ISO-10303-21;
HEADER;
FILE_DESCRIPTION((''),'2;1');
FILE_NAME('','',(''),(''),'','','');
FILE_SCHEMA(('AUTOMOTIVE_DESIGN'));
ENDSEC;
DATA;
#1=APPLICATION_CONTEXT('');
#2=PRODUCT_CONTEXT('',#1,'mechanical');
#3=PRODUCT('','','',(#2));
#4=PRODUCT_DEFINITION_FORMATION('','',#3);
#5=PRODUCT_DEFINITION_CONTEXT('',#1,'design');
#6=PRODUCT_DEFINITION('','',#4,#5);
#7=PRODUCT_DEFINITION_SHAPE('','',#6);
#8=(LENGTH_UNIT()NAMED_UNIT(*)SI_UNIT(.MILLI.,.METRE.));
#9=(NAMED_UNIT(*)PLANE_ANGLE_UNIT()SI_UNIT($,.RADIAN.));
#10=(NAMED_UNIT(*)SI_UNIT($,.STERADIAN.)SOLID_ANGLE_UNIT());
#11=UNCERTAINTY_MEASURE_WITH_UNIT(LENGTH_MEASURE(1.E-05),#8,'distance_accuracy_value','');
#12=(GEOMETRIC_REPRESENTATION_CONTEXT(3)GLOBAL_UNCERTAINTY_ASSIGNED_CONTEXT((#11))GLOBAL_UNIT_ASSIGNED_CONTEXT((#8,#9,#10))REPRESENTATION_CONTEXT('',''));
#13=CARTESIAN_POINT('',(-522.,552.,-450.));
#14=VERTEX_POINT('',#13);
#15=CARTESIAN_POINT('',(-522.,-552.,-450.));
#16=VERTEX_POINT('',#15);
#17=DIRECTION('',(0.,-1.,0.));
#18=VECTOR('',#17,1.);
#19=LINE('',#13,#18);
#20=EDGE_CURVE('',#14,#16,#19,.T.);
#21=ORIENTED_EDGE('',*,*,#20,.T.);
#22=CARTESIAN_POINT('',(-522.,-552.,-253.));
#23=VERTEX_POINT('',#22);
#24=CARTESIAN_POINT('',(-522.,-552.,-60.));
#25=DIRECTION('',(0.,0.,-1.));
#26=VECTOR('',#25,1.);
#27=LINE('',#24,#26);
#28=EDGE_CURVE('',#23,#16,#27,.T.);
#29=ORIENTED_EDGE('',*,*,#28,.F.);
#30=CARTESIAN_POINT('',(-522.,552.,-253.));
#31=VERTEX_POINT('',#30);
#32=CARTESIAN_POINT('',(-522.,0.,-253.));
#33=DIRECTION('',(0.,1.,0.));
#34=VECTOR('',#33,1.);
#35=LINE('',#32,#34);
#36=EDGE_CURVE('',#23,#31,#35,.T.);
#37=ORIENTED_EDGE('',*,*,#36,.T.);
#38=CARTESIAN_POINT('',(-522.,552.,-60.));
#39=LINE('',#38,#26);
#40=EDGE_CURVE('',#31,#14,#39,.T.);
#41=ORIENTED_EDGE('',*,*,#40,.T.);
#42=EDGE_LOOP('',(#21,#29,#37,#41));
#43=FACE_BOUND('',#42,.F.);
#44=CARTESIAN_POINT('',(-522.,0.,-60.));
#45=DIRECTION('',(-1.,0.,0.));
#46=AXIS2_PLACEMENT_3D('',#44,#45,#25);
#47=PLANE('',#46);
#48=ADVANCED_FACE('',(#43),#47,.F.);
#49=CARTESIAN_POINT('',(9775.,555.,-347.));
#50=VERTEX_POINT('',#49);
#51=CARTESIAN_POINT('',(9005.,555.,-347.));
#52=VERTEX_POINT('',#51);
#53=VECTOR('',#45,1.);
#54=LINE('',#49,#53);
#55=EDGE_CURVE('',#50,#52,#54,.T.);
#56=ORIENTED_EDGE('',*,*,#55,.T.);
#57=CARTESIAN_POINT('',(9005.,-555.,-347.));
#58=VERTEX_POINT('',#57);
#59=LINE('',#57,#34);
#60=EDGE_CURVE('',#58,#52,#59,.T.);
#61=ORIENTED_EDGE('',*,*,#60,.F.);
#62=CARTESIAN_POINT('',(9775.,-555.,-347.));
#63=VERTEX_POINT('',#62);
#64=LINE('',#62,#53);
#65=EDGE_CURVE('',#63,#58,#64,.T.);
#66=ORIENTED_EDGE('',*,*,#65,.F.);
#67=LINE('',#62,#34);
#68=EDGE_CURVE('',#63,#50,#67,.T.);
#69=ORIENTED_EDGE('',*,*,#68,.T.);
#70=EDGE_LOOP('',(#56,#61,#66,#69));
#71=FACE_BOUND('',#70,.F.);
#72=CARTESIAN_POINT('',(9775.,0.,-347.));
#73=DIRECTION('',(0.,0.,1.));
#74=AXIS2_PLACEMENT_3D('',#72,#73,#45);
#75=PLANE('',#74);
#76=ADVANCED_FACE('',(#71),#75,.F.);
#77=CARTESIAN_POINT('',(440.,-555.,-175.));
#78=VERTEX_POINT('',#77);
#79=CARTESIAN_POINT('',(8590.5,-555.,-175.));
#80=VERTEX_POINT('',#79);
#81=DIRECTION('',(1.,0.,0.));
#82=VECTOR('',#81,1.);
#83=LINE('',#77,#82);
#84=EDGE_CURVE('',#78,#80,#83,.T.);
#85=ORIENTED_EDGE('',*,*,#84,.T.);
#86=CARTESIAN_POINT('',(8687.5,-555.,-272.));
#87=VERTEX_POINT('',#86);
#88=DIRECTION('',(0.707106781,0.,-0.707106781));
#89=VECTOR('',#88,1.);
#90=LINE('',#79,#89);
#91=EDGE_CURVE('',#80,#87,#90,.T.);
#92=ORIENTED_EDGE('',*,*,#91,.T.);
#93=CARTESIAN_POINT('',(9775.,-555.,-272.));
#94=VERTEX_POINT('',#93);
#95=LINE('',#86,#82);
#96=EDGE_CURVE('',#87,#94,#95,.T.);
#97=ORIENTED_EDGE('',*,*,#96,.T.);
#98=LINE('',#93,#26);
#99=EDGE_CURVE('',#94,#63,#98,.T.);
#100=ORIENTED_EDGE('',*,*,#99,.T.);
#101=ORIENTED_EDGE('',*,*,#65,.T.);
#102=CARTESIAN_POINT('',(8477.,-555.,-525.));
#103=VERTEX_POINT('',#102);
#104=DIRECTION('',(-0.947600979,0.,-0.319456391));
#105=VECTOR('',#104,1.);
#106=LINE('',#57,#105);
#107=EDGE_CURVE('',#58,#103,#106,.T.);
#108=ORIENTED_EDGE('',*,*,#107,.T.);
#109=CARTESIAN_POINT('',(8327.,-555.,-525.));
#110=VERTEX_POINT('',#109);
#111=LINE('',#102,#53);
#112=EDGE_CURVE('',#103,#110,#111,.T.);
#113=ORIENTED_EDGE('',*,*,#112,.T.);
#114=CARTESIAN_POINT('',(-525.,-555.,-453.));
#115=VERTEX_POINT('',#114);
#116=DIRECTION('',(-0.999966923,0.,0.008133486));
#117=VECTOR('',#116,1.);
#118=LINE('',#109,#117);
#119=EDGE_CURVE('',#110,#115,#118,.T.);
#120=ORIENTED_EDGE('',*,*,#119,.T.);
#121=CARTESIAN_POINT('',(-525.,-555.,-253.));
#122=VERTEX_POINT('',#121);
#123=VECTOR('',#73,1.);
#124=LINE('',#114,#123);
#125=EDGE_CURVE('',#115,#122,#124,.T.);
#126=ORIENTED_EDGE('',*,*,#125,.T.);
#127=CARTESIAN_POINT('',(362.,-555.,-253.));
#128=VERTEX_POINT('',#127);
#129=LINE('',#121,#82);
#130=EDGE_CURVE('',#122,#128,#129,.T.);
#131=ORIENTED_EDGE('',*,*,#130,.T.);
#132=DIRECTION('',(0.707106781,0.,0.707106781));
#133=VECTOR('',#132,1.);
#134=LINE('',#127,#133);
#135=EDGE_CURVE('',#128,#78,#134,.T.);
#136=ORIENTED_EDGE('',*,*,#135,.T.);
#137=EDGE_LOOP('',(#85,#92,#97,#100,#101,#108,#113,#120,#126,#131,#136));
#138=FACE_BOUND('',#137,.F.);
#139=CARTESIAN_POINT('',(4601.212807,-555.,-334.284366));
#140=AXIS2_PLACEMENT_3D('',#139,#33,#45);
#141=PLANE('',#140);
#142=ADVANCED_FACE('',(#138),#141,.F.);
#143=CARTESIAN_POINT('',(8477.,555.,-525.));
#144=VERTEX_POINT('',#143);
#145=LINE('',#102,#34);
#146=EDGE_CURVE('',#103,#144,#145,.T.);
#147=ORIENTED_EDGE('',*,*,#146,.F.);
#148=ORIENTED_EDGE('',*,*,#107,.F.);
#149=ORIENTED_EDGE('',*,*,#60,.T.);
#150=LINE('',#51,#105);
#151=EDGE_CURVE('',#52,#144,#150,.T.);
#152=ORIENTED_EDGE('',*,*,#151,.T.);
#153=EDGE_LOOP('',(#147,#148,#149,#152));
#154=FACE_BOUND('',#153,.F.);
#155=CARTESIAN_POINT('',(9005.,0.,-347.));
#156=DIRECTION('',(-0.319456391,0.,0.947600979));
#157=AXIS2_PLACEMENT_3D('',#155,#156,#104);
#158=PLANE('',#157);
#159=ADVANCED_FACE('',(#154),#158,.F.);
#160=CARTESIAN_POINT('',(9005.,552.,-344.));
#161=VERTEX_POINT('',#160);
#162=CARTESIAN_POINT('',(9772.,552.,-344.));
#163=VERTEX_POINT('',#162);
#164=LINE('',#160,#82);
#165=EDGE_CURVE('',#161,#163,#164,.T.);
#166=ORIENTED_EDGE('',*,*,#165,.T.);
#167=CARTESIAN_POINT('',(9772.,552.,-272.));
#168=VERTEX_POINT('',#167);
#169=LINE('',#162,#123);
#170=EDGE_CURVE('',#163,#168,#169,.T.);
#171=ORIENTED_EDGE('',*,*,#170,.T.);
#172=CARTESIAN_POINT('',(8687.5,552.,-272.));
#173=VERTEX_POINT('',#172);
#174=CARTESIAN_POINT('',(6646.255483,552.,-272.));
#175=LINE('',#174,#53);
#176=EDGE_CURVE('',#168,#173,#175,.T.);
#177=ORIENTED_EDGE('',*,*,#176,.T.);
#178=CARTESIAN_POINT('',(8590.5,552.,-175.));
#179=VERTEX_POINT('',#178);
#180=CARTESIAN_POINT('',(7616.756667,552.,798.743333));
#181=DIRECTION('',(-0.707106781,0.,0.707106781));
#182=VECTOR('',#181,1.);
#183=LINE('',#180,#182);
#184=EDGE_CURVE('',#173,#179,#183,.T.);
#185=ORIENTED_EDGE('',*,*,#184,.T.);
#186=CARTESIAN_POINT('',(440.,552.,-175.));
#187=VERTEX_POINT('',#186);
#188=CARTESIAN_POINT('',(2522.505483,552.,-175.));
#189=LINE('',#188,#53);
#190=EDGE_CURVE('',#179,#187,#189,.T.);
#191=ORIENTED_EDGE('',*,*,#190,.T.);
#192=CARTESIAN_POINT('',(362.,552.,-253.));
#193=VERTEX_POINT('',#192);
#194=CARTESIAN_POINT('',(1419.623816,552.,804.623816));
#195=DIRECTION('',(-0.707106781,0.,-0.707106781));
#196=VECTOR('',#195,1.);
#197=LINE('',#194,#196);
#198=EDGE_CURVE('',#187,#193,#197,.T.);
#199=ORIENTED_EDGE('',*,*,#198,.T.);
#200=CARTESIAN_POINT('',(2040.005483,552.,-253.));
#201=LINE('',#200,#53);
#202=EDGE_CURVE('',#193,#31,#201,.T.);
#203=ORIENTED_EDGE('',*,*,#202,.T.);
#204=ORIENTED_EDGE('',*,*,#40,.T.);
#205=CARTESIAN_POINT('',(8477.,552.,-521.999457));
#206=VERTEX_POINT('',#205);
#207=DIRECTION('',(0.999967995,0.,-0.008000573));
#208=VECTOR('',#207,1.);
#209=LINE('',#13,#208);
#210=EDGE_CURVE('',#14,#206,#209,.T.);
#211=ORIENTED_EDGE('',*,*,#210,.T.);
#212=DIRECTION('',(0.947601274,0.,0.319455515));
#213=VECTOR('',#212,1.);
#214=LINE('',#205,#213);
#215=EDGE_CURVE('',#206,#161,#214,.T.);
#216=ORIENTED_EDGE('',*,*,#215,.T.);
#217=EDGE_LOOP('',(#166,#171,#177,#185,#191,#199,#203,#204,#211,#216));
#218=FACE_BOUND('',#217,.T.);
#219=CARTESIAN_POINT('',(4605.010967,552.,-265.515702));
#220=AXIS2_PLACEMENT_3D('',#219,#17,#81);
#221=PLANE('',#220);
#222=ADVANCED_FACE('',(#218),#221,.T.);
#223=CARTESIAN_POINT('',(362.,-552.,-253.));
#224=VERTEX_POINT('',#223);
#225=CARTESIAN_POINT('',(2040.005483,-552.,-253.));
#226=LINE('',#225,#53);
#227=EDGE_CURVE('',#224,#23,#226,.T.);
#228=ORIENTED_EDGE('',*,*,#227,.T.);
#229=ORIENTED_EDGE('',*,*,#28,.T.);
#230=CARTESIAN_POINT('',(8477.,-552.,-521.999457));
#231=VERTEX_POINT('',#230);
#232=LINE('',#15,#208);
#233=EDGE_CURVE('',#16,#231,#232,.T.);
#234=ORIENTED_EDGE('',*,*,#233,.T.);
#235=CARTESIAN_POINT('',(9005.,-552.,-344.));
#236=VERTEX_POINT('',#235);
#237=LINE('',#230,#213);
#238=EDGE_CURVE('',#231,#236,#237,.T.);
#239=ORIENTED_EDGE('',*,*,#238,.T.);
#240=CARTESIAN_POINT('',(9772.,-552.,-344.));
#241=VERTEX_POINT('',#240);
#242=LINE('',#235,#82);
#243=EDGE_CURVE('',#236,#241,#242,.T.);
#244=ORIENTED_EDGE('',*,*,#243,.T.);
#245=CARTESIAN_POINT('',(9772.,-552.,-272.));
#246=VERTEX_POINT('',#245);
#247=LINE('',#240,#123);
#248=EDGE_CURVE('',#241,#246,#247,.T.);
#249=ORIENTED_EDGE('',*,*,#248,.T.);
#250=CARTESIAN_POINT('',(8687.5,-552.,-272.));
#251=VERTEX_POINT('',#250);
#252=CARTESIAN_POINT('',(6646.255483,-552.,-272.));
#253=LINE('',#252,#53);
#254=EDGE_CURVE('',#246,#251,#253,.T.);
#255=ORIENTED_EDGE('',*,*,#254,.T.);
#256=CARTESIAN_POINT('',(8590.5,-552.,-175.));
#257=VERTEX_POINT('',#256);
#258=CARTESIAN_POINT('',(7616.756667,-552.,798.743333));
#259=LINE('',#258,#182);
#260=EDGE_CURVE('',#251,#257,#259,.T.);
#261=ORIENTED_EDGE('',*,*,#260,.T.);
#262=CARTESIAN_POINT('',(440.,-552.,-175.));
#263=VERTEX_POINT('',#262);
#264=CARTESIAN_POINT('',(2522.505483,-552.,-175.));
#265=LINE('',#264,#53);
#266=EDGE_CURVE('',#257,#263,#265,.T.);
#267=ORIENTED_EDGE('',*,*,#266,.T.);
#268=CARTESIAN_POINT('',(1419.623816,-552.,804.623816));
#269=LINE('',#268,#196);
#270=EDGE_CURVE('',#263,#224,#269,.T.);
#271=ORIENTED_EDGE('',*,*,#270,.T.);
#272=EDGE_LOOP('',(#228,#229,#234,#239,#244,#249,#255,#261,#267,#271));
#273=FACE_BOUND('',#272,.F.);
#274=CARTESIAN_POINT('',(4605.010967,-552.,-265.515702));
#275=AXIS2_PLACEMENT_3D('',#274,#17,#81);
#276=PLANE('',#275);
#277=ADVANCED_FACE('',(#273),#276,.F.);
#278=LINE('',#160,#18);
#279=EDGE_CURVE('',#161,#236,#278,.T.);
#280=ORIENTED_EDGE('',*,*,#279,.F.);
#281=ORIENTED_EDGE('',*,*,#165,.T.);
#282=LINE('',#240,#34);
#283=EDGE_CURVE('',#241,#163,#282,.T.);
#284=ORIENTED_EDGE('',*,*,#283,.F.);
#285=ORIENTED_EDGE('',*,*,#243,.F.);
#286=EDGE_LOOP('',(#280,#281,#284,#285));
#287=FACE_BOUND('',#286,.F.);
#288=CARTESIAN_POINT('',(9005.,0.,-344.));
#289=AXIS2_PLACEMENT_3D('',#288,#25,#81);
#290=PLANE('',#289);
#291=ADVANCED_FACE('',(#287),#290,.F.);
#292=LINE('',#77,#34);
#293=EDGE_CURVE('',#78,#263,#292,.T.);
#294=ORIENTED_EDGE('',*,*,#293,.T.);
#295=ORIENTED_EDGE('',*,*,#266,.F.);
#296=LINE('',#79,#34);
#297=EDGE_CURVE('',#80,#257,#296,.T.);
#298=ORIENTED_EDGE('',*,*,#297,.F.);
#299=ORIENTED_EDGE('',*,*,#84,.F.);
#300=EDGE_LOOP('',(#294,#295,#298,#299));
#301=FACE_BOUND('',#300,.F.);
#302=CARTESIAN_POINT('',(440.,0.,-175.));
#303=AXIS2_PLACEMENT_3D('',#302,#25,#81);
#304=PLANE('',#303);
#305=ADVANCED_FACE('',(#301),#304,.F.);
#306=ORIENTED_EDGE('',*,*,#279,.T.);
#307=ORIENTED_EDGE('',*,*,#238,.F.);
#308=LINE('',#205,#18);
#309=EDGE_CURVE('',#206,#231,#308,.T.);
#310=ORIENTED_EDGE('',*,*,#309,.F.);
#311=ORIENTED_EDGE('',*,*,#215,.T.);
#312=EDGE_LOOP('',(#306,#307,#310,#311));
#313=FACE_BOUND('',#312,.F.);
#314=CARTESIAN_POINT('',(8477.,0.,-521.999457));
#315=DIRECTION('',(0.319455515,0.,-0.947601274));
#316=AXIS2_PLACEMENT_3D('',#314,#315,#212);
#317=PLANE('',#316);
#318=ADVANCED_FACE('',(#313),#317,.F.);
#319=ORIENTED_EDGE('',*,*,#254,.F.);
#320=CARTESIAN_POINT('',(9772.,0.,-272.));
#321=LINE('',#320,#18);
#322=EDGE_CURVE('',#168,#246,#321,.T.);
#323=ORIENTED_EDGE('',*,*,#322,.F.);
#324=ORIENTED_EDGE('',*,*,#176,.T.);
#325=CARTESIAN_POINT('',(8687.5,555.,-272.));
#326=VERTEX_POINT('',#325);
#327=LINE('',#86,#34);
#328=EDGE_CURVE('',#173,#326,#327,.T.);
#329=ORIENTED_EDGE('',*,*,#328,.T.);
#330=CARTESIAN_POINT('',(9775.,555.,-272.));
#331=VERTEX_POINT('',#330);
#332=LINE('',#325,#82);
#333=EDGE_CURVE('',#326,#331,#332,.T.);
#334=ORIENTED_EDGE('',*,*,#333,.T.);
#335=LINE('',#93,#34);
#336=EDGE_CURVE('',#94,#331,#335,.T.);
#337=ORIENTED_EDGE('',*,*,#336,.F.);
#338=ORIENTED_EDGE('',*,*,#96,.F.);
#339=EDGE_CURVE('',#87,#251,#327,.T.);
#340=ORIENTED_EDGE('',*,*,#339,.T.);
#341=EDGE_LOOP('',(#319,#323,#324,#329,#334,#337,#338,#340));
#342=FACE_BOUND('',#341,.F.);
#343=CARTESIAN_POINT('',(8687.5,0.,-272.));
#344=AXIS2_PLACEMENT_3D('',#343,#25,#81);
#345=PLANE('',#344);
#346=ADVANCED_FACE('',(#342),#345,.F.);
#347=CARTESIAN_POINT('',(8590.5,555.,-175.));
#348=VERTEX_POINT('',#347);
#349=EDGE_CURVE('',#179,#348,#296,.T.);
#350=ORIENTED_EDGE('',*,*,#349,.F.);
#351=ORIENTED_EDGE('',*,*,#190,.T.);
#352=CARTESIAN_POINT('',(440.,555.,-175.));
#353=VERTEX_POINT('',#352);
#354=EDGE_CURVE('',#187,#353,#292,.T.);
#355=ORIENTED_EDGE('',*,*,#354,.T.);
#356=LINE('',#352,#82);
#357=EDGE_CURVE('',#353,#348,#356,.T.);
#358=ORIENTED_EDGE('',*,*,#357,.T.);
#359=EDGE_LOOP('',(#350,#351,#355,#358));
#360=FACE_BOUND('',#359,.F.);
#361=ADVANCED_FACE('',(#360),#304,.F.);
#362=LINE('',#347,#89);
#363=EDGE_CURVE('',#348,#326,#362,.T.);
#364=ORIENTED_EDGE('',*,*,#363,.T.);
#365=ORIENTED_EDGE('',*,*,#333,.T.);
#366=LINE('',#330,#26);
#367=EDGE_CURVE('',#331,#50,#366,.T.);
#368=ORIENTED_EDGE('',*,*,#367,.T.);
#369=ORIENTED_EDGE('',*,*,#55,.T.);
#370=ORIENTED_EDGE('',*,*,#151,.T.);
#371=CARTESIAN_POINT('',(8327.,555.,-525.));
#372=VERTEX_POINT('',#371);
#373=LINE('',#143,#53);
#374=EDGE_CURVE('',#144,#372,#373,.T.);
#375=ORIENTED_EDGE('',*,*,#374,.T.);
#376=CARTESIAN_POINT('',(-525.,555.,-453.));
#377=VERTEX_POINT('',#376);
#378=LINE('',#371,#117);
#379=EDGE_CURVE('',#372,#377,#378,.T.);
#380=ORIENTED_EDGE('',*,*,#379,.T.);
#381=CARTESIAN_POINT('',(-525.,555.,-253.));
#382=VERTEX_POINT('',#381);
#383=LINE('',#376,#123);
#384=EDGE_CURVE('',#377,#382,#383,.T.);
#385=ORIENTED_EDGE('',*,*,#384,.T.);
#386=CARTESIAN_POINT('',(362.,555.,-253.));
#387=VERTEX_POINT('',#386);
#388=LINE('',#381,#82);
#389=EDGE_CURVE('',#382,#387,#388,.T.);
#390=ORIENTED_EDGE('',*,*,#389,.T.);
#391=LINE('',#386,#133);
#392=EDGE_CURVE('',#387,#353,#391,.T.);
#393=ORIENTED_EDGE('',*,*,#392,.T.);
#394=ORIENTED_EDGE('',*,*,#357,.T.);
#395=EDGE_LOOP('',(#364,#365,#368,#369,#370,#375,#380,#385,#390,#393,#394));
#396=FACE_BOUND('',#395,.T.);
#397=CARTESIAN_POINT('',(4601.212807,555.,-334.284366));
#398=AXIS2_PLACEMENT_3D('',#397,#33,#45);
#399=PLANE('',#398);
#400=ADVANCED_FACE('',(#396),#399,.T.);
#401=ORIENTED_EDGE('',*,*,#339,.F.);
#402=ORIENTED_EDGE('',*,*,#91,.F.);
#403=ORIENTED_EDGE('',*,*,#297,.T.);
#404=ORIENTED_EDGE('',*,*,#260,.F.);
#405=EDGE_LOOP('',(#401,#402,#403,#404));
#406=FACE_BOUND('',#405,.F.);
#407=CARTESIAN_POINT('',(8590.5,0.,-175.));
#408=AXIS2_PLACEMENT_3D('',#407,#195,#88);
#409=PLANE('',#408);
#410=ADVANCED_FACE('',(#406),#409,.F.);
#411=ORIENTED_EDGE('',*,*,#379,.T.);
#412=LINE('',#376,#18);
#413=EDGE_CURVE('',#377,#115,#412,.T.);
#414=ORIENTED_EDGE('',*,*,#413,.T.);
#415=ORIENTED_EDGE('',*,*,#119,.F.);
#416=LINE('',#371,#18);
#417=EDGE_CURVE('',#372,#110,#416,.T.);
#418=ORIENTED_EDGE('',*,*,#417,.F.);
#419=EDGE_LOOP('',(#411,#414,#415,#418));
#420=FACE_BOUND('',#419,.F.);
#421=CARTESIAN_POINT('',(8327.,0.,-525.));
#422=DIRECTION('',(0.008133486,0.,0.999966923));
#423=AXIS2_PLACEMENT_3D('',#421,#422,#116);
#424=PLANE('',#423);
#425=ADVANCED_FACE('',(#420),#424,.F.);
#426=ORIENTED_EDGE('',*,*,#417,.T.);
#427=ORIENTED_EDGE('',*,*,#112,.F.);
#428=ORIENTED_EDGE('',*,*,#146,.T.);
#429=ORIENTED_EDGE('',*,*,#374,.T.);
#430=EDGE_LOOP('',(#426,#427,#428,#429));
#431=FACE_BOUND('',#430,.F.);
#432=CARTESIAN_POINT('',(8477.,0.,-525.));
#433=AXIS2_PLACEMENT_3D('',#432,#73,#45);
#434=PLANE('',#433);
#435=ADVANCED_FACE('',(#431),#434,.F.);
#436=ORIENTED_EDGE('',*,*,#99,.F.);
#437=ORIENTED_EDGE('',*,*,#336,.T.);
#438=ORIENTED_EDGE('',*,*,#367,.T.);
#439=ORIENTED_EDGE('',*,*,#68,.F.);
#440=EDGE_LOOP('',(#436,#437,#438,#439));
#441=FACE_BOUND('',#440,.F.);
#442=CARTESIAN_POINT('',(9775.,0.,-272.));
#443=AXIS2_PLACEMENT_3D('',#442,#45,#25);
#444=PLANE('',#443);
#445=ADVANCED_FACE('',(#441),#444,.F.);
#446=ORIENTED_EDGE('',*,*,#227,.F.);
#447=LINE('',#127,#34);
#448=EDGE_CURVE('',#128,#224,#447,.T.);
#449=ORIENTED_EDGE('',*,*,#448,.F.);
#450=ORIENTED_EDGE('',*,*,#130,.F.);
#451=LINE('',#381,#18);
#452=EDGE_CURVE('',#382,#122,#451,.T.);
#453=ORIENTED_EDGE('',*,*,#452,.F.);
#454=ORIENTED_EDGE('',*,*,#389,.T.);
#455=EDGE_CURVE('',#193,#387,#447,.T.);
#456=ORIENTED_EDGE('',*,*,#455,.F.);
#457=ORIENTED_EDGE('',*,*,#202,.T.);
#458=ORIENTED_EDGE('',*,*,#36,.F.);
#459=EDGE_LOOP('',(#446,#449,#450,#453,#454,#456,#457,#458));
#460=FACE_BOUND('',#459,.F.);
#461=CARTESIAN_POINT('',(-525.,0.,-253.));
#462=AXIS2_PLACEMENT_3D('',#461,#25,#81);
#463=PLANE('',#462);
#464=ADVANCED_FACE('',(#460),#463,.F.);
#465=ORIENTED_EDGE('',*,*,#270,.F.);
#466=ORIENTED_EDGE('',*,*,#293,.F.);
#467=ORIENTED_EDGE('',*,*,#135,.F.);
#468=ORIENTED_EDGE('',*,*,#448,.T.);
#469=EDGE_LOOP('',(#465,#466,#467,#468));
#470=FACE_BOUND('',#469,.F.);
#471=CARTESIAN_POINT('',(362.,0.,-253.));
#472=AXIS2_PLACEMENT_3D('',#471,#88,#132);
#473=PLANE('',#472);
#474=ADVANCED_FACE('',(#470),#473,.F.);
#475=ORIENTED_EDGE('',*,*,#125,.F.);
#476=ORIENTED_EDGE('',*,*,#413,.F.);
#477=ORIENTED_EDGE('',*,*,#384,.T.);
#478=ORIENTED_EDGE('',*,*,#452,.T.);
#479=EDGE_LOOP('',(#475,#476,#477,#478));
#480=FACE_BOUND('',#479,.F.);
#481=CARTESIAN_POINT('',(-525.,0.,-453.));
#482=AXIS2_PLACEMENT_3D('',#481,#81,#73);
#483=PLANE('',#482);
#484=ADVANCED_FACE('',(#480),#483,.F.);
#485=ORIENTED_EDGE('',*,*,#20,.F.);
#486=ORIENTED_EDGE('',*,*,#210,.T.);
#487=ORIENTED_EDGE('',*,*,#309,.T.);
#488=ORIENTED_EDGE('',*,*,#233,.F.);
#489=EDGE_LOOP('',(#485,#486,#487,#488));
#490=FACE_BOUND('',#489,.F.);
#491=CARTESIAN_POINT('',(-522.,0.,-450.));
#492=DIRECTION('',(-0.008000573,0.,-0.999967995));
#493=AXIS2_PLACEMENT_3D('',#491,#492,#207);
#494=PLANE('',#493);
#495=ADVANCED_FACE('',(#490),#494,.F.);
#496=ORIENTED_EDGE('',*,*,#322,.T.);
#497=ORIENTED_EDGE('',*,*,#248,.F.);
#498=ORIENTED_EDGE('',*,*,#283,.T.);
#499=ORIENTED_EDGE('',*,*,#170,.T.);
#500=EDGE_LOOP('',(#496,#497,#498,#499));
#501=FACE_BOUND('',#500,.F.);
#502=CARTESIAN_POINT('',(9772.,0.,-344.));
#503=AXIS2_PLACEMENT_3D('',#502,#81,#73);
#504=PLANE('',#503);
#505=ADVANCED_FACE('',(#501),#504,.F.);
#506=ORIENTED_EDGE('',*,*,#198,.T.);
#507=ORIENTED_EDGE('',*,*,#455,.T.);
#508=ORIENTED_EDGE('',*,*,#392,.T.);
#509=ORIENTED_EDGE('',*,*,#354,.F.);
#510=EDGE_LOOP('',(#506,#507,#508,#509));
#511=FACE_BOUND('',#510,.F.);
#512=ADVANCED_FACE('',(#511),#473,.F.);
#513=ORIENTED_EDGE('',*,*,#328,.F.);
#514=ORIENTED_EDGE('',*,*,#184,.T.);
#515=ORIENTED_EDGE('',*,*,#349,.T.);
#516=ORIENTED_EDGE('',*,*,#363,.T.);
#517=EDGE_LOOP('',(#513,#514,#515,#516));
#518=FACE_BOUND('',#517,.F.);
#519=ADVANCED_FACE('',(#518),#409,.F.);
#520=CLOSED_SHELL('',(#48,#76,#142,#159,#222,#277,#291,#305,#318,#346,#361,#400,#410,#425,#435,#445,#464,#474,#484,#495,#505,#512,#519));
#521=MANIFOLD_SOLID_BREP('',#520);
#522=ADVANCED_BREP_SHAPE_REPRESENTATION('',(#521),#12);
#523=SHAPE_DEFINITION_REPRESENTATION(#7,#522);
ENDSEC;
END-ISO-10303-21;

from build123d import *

# Parameters (mm, degrees)
EXTRUDE034_DEPTH = 552
EXTRUDE015_DEPTH = 555


with BuildPart() as extrude034:
    # Sketch035 → Extrude034 (new body, symmetric)
    with BuildSketch(Plane.XZ):
        Polygon((-522, -60), (-522, -450), (8477, -521.999457), (9005, -344), (9772, -344), (9772, -60), align=None)
    extrude(amount=EXTRUDE034_DEPTH, both=True)


with BuildPart() as cut003:
    # Sketch023 → Extrude015 (new body, symmetric)
    with BuildSketch(Plane.XZ):
        Polygon((-525, -253), (362, -253), (440, -175), (8590.5, -175), (8687.5, -272), (9775, -272), (9775, -347), (9005, -347), (8477, -525), (8327, -525), (-525, -453), align=None)
    extrude(amount=EXTRUDE015_DEPTH, both=True)

    # Cut003: cut Extrude034
    add(extrude034.part, mode=Mode.SUBTRACT)


solid = cut003.part
